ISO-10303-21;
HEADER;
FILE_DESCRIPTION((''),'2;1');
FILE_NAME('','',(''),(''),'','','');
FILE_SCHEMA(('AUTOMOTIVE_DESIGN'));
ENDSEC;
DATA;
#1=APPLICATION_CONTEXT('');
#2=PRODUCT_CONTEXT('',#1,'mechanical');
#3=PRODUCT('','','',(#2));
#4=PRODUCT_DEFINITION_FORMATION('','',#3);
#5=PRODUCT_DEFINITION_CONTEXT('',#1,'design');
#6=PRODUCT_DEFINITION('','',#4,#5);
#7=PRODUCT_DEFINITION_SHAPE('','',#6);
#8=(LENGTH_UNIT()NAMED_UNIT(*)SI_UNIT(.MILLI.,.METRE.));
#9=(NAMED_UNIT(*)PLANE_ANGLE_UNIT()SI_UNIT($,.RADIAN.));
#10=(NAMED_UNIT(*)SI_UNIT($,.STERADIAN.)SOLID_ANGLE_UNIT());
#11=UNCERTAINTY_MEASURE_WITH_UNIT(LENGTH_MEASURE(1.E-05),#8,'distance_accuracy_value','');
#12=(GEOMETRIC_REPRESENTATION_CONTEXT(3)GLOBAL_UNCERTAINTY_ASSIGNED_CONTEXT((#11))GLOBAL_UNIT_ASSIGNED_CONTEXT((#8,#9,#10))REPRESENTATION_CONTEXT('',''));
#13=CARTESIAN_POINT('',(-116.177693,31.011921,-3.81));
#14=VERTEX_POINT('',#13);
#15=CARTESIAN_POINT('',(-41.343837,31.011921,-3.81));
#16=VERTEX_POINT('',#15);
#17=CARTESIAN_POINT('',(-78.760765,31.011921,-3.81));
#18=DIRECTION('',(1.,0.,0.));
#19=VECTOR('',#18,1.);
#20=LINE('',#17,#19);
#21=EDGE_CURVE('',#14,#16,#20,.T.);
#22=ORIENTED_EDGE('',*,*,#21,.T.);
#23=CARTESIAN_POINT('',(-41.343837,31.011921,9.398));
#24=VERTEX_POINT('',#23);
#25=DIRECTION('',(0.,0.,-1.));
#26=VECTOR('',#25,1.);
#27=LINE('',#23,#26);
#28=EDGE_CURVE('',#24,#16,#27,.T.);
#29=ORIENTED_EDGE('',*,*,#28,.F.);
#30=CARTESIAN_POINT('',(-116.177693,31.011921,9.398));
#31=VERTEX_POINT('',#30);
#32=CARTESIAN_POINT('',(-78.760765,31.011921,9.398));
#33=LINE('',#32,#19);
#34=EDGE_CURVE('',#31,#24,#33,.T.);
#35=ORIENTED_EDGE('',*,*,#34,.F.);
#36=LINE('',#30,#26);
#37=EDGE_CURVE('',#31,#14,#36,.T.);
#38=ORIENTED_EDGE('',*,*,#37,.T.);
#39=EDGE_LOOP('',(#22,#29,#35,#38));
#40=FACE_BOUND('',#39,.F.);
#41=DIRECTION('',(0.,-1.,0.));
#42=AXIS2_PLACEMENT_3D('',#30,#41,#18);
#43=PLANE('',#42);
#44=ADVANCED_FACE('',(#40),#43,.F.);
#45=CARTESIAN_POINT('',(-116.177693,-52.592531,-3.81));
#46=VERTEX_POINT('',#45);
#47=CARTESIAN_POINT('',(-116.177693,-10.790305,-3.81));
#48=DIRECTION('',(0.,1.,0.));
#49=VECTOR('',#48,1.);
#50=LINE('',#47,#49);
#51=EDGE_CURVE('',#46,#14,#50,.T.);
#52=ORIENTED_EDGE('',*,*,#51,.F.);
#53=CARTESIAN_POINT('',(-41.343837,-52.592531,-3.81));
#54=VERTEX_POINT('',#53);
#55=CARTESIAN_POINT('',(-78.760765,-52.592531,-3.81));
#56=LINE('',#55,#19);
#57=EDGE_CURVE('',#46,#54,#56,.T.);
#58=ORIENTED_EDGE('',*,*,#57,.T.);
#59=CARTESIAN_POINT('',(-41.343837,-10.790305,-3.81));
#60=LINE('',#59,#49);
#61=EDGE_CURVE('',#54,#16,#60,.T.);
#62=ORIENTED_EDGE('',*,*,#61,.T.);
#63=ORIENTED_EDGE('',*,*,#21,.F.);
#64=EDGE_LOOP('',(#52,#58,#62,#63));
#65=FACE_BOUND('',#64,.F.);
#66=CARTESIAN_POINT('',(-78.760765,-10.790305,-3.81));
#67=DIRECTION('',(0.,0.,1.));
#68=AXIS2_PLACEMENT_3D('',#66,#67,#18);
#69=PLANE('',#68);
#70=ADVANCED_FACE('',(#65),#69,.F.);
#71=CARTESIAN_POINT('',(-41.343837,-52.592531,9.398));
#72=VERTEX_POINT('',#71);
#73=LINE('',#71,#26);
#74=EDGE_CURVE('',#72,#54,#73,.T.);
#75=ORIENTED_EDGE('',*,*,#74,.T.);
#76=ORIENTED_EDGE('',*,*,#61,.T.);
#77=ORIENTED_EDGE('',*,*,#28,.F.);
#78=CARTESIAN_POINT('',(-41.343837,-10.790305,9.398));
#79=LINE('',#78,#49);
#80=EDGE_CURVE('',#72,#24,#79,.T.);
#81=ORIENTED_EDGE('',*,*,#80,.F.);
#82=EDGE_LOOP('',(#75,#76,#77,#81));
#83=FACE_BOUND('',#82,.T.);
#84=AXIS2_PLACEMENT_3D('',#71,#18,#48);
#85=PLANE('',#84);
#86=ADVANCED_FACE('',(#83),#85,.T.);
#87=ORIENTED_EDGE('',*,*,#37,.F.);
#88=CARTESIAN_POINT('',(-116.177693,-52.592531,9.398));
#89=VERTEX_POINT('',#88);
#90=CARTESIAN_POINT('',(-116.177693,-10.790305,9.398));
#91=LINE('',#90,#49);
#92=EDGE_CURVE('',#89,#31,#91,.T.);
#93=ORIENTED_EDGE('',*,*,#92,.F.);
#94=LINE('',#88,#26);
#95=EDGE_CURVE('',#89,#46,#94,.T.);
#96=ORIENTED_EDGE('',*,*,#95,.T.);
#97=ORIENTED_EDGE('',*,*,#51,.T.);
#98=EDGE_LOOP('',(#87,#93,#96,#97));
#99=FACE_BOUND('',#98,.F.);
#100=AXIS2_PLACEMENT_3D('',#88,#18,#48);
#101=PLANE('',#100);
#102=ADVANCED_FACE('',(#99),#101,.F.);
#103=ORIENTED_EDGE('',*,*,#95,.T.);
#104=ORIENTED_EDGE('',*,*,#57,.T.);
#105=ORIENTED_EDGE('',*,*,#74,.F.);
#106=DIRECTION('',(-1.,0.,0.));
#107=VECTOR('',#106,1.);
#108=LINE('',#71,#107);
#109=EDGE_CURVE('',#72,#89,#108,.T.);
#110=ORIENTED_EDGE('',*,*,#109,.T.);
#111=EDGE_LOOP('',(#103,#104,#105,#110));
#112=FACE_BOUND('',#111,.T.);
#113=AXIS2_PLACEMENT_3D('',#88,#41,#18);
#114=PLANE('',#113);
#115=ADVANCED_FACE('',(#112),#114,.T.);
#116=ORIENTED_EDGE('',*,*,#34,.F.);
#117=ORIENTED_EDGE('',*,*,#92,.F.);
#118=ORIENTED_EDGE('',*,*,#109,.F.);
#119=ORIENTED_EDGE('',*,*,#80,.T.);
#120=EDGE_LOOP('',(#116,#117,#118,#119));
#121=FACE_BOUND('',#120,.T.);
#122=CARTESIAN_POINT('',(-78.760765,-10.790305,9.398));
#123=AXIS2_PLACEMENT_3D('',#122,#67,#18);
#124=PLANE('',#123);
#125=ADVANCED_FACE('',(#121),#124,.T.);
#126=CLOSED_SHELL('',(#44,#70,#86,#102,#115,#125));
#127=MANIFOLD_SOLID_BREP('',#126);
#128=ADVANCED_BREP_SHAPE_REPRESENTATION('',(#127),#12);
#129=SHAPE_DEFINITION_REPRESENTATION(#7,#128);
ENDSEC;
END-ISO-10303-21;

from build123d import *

# Parameters (mm, degrees)
F0_W      = 74.833855
F0_H      = 83.604451
F1_DEPTH  = 9.398
F1_FACE_W = 74.833856
F1_FACE_H = 83.604452
F2_DEPTH  = 13.208


with BuildPart() as f1:
    # F0 (on Top) → F1 (new body)
    with BuildSketch(Plane.XY):
        with Locations((-78.760765, -10.790306)):
            Rectangle(F0_W, F0_H)
    extrude(amount=F1_DEPTH)

    # F1_face (on face) → F2 (join)
    with BuildSketch(Plane(origin=(-78.760765, -10.790305, 9.398), x_dir=(1, 0, 0), z_dir=(0, 0, 1))):
        Rectangle(F1_FACE_W, F1_FACE_H)
    extrude(amount=-F2_DEPTH)


solid = f1.part
